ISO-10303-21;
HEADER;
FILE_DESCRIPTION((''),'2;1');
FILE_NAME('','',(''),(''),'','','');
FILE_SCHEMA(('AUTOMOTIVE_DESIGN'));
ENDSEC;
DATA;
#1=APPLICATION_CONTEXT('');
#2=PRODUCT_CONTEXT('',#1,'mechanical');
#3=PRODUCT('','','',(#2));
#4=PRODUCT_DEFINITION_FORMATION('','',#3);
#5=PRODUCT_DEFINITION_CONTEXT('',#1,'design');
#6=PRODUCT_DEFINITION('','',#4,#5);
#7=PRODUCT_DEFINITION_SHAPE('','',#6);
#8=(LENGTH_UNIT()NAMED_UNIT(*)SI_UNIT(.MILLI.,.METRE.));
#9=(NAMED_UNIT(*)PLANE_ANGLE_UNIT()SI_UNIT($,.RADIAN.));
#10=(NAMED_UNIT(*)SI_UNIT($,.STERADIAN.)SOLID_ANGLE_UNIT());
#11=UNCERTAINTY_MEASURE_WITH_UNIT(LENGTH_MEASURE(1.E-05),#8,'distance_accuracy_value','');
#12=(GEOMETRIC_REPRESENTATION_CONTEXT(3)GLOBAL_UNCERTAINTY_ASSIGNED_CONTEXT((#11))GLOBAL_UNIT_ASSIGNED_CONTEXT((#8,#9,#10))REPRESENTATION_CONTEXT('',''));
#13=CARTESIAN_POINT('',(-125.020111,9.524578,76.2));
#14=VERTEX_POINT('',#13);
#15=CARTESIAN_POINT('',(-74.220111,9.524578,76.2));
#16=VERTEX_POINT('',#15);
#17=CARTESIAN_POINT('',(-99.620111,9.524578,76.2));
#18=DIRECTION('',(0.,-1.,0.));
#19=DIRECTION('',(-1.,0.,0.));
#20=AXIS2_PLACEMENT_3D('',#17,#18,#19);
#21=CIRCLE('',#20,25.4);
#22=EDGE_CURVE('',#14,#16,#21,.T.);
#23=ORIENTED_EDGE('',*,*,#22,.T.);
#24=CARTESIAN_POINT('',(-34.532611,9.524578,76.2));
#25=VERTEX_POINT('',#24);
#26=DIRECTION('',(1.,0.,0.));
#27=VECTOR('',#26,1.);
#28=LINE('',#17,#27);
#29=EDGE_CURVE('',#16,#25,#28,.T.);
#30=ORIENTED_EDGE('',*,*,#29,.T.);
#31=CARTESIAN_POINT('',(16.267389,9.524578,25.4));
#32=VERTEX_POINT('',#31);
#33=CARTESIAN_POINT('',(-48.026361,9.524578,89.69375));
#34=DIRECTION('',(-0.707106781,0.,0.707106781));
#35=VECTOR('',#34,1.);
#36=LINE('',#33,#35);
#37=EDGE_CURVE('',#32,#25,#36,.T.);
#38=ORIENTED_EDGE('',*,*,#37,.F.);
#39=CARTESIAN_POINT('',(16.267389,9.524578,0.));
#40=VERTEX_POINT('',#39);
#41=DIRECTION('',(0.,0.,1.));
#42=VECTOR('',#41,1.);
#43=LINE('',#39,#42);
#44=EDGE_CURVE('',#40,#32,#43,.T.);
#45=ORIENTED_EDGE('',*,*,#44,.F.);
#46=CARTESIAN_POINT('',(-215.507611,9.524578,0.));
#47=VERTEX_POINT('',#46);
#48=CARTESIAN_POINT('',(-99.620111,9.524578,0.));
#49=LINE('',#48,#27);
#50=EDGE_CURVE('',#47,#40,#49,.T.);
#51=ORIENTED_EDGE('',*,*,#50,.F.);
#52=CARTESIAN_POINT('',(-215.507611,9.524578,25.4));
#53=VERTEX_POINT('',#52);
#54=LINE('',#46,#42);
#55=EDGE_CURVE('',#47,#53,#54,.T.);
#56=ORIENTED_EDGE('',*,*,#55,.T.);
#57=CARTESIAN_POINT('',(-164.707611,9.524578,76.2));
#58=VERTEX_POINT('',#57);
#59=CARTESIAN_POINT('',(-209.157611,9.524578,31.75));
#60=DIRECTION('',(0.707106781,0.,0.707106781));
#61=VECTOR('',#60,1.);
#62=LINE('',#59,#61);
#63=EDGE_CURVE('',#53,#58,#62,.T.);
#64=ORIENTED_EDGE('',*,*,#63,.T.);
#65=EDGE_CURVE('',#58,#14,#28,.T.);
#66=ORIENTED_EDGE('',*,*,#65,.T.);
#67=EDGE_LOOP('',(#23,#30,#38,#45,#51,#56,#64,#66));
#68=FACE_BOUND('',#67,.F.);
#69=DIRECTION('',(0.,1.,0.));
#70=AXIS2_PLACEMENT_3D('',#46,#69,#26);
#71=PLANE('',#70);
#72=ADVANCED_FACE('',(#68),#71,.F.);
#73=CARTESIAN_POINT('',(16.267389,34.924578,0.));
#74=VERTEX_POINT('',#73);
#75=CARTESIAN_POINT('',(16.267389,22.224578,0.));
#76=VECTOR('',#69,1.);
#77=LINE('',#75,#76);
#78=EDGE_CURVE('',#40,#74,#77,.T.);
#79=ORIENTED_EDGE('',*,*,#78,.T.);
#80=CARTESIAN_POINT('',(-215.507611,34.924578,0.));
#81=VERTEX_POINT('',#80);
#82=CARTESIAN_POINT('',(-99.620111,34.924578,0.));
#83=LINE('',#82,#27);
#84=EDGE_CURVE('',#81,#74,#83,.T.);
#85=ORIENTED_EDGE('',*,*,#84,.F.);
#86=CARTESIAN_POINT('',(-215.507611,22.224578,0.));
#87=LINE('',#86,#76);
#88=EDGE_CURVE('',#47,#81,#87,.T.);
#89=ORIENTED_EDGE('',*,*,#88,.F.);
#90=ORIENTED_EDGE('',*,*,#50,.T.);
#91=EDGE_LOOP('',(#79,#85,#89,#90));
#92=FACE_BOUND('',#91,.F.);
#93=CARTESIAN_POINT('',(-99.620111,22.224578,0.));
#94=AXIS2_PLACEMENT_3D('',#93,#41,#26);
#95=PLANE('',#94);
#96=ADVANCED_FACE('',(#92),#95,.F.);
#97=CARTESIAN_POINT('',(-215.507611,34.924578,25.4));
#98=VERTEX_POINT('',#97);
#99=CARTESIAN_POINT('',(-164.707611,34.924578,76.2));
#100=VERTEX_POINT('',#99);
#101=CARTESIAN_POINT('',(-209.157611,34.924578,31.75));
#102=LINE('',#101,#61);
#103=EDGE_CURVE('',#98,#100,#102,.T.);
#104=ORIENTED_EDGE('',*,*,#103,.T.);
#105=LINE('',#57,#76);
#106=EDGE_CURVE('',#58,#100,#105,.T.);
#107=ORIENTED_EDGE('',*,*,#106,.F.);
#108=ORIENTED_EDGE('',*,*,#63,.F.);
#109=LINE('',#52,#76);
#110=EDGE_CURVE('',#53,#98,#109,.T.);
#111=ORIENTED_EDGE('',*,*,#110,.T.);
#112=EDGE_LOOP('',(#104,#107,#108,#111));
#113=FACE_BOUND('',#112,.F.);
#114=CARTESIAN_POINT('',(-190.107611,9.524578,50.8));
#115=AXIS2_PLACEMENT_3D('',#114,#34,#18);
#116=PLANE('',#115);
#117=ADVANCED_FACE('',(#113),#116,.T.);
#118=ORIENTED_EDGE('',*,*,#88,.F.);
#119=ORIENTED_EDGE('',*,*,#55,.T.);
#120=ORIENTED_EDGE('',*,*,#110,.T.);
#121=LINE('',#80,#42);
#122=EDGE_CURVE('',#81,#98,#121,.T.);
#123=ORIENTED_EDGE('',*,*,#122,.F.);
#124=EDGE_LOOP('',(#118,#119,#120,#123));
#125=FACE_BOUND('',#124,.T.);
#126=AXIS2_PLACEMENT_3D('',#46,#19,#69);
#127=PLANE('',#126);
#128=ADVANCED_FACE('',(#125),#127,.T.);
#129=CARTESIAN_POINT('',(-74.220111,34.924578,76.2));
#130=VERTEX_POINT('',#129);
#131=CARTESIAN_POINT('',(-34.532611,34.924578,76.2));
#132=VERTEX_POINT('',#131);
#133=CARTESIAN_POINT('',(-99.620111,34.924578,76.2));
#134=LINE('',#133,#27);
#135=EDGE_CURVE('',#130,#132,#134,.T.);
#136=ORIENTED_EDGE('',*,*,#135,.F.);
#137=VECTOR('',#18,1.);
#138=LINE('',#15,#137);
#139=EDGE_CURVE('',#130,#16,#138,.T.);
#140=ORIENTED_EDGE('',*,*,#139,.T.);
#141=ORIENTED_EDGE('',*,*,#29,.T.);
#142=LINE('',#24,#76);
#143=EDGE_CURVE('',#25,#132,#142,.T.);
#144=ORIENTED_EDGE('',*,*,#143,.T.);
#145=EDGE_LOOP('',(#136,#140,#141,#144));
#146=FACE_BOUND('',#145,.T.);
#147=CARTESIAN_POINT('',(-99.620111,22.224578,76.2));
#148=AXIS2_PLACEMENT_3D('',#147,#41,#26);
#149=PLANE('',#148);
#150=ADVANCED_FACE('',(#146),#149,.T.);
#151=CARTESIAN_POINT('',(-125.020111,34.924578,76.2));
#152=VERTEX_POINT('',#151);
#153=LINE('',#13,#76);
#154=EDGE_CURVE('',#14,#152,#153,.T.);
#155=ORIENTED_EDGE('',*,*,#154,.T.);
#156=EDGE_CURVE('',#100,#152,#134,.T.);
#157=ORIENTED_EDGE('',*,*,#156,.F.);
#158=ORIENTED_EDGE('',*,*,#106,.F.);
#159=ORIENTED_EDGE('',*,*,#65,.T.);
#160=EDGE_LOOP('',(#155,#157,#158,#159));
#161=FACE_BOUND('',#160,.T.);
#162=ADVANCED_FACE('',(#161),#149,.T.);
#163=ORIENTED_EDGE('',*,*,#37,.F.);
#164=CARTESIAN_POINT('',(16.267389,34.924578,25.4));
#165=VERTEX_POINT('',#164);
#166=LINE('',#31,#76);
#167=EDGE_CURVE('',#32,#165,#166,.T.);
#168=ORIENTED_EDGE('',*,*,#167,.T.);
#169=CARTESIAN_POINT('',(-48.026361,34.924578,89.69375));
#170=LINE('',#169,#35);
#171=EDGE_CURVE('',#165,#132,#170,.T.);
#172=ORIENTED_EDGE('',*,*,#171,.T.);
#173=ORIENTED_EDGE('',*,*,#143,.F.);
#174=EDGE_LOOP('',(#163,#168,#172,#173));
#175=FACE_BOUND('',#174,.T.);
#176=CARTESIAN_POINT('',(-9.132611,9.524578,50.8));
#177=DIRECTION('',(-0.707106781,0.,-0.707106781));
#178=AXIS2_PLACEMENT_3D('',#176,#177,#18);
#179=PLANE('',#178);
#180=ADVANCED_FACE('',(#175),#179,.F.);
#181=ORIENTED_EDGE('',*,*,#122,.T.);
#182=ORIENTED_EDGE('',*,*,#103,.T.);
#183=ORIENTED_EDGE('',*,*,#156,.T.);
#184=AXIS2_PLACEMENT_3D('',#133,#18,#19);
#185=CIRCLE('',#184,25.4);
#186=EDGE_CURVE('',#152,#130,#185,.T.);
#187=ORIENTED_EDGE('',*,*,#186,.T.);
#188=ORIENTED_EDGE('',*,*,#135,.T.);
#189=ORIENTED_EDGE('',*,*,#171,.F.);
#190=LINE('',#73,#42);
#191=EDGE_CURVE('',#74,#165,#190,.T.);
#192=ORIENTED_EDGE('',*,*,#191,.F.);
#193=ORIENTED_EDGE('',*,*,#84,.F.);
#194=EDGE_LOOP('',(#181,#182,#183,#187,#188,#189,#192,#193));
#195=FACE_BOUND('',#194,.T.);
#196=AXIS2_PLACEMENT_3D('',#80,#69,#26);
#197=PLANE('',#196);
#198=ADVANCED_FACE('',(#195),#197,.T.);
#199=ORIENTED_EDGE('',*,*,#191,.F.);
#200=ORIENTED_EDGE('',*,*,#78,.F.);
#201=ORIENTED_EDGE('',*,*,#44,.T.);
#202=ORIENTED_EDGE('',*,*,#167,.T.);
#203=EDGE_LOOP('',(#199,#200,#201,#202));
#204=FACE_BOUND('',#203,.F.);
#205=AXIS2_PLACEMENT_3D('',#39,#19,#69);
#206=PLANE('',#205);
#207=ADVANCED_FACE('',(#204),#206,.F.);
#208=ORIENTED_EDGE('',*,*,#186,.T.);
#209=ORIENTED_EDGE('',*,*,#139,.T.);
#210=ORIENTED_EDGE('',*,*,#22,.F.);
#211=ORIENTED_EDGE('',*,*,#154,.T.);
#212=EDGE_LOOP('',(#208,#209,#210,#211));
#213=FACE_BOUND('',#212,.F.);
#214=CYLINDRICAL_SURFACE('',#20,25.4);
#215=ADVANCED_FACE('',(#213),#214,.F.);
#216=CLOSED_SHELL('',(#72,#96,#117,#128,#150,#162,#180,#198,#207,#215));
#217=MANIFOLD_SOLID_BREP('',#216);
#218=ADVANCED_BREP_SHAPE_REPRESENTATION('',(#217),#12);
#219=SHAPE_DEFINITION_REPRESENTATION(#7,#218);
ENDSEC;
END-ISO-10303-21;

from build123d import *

# Parameters (mm, degrees)
F0_W     = 231.775
F0_H     = 25.4
F1_DEPTH = 76.2
F2_SIZE  = 50.8
F4_DEPTH = 25.4


with BuildPart() as f1:
    # F0 (on Top) → F1 (new body)
    with BuildSketch(Plane.XY):
        with Locations((-99.620111, 22.224578)):
            Rectangle(F0_W, F0_H)
    extrude(amount=F1_DEPTH)

    # F2
    f2_edges = [f1.edges().sort_by_distance(p)[0] for p in [
        (-215.507611, 22.224578, 76.2),
        (16.267389, 22.224578, 76.2),
    ]]
    chamfer(f2_edges, length=F2_SIZE)

    # F3 (on face) → F4 (cut)
    with BuildSketch(Plane.XZ.offset(-9.524578)):
        with BuildLine():
            Line((-125.020111, 76.2), (-74.220111, 76.2))
            ThreePointArc((-74.220111, 76.2), (-99.620111, 101.6), (-125.020111, 76.2))
        make_face()
        with BuildLine():
            ThreePointArc((-125.020111, 76.2), (-99.620111, 50.8), (-74.220111, 76.2))
            Line((-74.220111, 76.2), (-125.020111, 76.2))
        make_face()
    extrude(amount=-F4_DEPTH, mode=Mode.SUBTRACT)


solid = f1.part
